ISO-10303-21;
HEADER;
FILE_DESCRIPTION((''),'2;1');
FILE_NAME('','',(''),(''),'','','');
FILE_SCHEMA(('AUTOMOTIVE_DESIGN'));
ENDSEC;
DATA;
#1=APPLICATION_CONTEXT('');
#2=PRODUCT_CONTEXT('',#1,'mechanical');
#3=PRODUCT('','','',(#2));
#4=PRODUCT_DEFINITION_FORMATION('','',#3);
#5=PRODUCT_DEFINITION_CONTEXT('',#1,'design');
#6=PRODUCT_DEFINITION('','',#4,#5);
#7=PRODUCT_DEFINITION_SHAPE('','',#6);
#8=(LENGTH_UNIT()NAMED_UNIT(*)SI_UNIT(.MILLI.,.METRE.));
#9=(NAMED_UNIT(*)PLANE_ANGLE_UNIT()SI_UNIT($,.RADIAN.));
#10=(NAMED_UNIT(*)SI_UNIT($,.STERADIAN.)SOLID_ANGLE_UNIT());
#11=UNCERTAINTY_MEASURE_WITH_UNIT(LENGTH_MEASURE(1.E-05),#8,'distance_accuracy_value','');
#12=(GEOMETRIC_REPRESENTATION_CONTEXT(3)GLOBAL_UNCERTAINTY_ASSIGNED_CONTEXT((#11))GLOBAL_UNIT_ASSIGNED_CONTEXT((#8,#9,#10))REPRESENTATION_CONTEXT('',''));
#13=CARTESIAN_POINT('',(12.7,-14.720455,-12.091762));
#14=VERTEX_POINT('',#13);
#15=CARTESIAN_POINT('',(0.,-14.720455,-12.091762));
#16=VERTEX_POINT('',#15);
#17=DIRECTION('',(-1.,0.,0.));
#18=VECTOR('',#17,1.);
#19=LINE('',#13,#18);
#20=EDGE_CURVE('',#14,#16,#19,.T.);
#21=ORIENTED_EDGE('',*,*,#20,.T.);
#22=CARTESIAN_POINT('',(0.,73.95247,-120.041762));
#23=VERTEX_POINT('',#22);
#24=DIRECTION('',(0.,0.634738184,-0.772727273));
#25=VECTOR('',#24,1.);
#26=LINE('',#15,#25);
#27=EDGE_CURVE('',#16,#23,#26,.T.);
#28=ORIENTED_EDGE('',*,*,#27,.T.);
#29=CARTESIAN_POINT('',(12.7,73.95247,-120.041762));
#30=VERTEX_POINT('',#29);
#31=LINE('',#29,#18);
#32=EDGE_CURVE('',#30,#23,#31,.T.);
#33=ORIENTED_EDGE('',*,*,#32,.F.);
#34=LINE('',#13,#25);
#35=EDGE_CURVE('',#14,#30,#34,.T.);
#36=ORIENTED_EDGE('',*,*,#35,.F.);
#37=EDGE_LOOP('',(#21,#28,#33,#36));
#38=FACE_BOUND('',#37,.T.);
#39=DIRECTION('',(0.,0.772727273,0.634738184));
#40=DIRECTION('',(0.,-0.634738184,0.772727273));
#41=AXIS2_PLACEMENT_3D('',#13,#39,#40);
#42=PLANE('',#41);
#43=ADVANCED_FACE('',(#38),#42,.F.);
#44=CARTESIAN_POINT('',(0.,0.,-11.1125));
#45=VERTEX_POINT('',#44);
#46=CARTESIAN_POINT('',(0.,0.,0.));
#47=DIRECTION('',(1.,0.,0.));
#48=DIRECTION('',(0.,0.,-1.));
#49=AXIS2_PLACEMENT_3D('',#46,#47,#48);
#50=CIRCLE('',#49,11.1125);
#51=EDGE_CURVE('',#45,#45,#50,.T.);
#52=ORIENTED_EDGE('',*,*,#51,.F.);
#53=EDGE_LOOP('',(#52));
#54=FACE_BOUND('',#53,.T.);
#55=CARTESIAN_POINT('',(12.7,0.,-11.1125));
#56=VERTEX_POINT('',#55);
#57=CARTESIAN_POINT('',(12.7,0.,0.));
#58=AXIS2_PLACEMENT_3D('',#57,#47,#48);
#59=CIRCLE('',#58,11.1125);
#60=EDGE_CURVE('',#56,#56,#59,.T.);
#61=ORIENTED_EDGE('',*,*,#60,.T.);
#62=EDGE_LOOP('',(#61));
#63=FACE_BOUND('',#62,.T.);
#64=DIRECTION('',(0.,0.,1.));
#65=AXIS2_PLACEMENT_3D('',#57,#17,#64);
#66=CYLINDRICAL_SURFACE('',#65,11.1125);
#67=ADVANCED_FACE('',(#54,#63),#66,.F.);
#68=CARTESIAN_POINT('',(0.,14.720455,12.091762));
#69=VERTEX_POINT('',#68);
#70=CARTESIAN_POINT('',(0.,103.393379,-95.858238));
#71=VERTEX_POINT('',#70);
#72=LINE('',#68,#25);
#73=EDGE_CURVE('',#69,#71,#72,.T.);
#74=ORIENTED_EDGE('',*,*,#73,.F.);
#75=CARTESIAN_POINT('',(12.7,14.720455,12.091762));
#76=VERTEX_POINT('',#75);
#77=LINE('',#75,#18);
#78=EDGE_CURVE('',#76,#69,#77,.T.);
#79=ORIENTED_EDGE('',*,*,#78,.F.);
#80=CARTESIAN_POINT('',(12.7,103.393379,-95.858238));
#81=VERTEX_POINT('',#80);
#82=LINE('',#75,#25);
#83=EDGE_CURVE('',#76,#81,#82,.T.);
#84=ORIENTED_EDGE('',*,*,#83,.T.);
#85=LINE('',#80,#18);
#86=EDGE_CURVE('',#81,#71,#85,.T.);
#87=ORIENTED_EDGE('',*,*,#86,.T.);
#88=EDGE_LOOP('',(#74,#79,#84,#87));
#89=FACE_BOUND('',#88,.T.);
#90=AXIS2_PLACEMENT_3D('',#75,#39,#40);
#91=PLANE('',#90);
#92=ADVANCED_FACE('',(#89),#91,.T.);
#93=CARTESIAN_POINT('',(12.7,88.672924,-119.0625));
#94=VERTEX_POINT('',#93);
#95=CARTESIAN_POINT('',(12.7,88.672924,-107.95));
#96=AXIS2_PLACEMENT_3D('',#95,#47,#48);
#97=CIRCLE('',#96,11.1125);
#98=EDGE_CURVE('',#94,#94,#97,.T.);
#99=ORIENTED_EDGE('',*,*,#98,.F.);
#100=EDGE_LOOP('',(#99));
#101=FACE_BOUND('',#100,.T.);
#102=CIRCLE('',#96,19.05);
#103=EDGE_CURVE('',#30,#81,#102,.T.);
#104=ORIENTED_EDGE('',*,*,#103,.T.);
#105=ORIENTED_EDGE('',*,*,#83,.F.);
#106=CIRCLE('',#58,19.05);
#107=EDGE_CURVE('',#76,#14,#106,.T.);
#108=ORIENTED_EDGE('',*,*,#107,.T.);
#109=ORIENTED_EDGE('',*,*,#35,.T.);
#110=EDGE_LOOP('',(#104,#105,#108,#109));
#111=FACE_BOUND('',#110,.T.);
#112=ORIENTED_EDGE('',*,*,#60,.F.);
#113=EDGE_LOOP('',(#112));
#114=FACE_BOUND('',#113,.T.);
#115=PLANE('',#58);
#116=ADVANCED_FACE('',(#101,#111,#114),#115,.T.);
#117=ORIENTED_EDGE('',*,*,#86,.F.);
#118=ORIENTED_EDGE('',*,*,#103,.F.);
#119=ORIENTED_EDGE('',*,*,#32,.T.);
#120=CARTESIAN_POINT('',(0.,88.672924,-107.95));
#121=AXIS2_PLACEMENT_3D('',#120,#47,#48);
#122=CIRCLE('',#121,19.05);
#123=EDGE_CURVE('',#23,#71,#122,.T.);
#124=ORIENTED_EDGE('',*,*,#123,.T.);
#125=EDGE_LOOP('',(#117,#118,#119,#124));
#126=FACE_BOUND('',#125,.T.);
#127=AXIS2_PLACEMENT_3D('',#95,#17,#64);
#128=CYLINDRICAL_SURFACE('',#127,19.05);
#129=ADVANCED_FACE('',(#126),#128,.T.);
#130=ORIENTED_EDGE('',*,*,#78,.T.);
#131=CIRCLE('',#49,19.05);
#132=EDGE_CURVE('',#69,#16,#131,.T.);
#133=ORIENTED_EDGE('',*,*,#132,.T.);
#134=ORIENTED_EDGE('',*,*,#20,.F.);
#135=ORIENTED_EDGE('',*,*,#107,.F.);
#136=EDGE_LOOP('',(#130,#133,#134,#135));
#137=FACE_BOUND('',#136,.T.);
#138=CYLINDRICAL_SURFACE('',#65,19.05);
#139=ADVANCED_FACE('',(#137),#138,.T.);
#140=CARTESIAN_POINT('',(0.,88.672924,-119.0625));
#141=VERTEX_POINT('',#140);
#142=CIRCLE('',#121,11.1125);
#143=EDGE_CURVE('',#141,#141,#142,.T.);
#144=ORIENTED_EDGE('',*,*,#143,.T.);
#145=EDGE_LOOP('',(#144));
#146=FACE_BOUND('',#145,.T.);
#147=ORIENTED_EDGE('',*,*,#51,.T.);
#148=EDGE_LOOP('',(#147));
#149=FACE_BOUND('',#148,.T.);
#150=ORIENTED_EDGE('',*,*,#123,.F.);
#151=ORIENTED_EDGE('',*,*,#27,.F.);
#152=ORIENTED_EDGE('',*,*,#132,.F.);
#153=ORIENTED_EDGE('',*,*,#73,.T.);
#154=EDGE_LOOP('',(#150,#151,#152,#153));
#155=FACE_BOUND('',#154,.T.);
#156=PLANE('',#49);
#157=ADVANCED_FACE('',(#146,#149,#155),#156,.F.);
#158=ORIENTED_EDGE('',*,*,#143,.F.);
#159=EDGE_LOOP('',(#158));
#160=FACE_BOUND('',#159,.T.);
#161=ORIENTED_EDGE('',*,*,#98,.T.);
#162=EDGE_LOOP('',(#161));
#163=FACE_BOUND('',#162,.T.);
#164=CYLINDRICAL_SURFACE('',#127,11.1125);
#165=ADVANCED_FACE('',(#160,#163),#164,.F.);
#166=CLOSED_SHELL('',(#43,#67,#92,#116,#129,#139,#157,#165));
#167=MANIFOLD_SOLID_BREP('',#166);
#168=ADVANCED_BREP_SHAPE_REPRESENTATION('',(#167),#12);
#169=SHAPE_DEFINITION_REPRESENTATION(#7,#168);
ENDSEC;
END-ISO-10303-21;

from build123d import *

# Parameters (mm, degrees)
BOSS_EXTRUDE1_DEPTH = 12.7


with BuildPart() as part:
    # Sketch1 → Boss-Extrude1 (new body)
    with BuildSketch(Plane(origin=(0, 0, 0), x_dir=(0, 0, -1), z_dir=(1, 0, 0))):
        with BuildLine():
            ThreePointArc((8.586931818, -7.053528068), (-11.1125, 0), (8.586931818, 7.053528068))
            Line((8.586931818, 7.053528068), (99.363068182, 81.61939621))
            ThreePointArc((99.363068182, 81.61939621), (104.203977014, 99.134997115), (119.0625, 88.672924278))
            ThreePointArc((119.0625, 88.672924278), (118.412072837, 84.926901292), (116.536931818, 81.61939621))
            Line((116.536931818, 81.61939621), (122.670454545, 76.581161876))
            ThreePointArc((122.670454545, 76.581161876), (121.420384182, 102.14330846), (95.858237598, 103.393378823))
            Line((95.858237598, 103.393378823), (-12.091762402, 14.720454545))
            ThreePointArc((-12.091762402, 14.720454545), (-14.720454545, -12.091762402), (12.091762402, -14.720454545))
            Line((12.091762402, -14.720454545), (15.006187185, -12.326470588))
            Line((15.006187185, -12.326470588), (8.586931818, -7.053528068))
        make_face()
        with BuildLine():
            Line((99.363068182, 81.61939621), (8.586931818, 7.053528068))
            ThreePointArc((8.586931818, 7.053528068), (10.462072837, 3.746022986), (11.1125, 0))
            ThreePointArc((11.1125, 0), (10.462072837, -3.746022986), (8.586931818, -7.053528068))
            Line((8.586931818, -7.053528068), (15.006187185, -12.326470588))
            Line((15.006187185, -12.326470588), (120.041762402, 73.952469732))
            ThreePointArc((120.041762402, 73.952469732), (121.420384182, 75.202540096), (122.670454545, 76.581161876))
            Line((122.670454545, 76.581161876), (116.536931818, 81.61939621))
            ThreePointArc((116.536931818, 81.61939621), (107.95, 77.560424278), (99.363068182, 81.61939621))
        make_face()
    extrude(amount=BOSS_EXTRUDE1_DEPTH)


solid = part.part
